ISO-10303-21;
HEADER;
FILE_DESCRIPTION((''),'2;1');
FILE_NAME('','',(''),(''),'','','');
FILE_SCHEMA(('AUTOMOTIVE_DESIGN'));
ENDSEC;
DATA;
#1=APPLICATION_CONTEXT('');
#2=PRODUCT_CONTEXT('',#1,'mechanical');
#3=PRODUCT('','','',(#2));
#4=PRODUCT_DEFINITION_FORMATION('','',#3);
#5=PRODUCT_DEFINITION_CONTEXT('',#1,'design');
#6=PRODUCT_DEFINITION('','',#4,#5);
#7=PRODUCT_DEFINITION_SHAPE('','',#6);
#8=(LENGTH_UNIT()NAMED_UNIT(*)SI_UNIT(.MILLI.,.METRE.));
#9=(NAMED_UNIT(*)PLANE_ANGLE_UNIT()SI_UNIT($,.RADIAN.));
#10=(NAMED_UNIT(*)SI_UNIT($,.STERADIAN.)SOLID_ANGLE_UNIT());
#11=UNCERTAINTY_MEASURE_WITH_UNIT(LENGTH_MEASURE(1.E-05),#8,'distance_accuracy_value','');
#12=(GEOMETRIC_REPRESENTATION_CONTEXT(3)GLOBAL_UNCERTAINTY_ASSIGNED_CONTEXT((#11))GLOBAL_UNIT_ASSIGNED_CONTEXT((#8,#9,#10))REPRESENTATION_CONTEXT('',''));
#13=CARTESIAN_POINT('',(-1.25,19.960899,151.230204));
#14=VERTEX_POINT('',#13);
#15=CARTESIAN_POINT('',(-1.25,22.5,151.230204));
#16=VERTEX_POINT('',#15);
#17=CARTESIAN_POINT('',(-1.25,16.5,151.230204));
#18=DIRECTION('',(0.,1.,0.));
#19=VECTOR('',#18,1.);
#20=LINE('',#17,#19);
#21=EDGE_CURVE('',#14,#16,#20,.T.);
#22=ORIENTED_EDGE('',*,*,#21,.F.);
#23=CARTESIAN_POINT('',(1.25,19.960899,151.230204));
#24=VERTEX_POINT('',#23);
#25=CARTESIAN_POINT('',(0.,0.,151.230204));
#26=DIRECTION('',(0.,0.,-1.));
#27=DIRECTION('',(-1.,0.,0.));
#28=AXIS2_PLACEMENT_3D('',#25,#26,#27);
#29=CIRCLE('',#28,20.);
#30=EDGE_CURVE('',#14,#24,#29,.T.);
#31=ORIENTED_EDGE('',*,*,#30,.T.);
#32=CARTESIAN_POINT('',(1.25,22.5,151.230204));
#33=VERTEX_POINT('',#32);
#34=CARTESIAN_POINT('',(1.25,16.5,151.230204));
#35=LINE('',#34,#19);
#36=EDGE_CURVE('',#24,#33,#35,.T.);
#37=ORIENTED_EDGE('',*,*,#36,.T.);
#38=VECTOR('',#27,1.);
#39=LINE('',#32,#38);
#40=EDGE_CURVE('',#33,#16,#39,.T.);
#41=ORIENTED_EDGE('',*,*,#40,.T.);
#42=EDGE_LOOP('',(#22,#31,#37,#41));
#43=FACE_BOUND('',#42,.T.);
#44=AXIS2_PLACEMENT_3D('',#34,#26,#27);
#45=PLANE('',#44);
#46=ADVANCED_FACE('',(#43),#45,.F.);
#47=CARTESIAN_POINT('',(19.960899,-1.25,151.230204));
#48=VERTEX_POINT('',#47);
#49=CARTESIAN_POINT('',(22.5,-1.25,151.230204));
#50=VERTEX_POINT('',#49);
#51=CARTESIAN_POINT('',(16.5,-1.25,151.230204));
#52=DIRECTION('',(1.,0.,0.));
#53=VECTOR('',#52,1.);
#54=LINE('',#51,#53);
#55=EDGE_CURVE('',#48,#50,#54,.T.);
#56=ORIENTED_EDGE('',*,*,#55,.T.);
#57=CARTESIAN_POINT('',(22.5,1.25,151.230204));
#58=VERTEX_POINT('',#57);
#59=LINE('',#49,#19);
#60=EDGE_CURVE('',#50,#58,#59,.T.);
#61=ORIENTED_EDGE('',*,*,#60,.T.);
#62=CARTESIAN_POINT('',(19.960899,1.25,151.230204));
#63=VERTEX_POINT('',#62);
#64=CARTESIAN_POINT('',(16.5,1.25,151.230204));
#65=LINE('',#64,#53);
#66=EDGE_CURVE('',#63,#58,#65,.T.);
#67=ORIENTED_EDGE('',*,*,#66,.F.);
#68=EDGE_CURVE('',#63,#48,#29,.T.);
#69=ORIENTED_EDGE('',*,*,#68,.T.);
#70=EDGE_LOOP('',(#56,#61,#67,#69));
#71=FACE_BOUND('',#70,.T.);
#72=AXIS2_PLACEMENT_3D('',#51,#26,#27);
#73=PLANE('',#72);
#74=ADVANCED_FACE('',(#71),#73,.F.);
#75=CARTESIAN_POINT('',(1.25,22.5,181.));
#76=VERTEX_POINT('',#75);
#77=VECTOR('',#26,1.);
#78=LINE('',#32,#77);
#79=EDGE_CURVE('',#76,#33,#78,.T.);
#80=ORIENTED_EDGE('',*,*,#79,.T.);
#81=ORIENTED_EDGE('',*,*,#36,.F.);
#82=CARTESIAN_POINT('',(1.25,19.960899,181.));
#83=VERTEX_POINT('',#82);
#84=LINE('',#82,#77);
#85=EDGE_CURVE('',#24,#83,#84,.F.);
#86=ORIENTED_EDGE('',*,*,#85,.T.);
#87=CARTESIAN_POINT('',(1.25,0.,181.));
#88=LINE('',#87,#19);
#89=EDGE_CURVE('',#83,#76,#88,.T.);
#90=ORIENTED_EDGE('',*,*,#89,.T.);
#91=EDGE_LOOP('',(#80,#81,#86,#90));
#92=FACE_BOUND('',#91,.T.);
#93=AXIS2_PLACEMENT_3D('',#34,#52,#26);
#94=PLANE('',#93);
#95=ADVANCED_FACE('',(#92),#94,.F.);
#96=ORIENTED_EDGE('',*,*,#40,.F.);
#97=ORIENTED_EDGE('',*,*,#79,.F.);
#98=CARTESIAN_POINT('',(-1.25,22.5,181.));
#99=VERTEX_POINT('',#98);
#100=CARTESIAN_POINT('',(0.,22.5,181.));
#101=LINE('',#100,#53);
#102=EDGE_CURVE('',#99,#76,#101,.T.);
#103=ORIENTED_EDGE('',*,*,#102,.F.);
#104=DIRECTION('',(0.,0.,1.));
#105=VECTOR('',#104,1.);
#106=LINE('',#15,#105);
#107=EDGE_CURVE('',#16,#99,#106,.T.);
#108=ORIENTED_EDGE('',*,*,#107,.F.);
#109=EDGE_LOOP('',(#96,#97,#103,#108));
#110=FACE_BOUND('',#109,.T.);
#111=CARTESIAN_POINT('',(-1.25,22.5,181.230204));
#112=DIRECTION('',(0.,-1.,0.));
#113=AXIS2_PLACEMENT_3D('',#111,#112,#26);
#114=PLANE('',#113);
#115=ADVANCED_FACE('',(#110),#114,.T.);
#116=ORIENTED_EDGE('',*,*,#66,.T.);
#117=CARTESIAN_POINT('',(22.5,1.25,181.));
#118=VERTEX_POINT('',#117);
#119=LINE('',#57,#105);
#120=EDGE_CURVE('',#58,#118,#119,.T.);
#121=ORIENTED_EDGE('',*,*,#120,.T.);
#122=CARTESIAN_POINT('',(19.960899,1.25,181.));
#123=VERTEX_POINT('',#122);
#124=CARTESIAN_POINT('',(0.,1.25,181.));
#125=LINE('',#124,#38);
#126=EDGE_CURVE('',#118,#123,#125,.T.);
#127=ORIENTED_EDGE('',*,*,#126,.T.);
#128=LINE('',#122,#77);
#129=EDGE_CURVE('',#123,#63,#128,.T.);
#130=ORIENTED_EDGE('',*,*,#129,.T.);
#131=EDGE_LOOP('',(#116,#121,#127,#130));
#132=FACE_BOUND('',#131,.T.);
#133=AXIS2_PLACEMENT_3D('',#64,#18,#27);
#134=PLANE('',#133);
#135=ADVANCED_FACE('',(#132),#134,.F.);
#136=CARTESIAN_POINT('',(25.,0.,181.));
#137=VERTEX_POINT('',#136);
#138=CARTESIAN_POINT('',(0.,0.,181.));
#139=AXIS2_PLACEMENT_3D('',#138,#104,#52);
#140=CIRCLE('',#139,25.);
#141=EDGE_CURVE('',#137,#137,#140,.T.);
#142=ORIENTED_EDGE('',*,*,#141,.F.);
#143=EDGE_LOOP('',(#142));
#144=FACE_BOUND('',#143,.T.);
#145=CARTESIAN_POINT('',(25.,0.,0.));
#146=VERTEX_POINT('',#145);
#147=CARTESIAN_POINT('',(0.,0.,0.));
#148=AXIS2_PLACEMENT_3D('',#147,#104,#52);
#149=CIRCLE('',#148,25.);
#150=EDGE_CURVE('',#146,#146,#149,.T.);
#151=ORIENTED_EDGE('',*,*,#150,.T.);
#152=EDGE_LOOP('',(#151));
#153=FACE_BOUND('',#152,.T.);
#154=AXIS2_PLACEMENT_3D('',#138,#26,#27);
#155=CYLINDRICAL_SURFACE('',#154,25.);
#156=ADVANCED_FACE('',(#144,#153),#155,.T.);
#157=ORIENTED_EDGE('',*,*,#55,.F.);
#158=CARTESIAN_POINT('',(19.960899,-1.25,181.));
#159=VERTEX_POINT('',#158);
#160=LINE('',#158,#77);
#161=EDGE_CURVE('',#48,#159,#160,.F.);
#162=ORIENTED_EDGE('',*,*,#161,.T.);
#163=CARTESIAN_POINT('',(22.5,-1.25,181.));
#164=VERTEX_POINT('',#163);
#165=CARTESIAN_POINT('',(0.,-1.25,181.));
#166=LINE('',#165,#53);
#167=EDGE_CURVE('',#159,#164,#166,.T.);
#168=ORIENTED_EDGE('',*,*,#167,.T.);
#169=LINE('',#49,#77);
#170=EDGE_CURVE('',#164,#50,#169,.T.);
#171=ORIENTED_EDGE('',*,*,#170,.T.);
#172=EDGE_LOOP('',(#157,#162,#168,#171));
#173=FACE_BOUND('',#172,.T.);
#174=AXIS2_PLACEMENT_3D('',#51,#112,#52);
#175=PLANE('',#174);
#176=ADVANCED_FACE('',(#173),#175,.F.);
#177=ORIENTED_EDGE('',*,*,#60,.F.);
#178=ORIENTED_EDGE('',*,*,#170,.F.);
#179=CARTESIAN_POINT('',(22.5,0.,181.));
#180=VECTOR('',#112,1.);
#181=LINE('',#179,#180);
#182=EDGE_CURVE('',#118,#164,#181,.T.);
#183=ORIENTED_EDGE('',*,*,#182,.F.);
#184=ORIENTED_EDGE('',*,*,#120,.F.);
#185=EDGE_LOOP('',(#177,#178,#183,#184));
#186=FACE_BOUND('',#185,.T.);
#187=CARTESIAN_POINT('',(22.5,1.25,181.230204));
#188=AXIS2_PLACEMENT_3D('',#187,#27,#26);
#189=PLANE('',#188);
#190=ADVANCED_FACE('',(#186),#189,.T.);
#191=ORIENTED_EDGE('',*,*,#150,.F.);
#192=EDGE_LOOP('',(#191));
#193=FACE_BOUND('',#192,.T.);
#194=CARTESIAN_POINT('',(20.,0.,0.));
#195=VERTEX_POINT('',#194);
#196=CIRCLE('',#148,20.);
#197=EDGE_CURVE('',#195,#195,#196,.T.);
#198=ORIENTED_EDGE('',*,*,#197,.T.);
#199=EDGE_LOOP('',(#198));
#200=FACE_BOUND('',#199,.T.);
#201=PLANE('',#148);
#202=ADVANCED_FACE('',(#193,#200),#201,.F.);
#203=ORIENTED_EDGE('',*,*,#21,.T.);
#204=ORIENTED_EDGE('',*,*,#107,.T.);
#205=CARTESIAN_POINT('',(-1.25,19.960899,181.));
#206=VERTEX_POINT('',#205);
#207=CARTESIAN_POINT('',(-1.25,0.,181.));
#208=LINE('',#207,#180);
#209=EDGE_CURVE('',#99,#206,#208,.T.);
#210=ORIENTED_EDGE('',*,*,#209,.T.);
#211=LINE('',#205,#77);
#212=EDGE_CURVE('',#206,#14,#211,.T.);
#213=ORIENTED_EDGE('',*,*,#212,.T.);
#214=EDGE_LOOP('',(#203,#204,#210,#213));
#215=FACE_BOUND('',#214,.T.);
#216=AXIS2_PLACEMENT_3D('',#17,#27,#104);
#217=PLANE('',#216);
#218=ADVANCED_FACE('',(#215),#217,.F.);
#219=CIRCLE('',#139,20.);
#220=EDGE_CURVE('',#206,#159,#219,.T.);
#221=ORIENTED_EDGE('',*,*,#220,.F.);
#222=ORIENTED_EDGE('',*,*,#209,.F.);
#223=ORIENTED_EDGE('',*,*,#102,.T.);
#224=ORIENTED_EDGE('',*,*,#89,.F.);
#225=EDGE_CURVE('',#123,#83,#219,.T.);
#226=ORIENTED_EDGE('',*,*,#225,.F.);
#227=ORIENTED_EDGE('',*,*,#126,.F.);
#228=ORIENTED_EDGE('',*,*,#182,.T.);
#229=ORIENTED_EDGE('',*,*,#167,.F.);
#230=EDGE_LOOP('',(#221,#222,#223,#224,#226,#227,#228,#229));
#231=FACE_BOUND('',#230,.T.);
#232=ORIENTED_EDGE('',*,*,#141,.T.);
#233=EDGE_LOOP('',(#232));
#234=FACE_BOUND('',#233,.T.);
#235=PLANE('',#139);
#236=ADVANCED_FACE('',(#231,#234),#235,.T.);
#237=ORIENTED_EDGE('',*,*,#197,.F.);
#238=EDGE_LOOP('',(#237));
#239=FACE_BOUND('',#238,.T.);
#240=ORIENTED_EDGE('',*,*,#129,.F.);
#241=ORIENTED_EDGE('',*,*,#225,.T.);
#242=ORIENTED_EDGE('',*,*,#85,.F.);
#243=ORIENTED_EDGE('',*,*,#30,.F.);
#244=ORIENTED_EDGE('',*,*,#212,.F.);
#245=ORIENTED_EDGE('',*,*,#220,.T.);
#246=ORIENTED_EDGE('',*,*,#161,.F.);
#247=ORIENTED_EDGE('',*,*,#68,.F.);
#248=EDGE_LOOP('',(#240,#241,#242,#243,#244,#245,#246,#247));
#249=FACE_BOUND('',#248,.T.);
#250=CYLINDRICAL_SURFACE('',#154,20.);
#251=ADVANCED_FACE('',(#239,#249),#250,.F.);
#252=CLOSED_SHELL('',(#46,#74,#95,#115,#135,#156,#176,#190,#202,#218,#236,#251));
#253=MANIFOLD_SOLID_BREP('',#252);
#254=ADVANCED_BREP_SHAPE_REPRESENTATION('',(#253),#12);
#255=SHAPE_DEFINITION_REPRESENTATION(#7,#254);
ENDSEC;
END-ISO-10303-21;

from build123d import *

# Parameters (mm, degrees)
SKETCH1_R           = 25
SKETCH1_R_2         = 20
BOSS_EXTRUDE1_DEPTH = 181
SKETCH5_W           = 2.5
SKETCH5_H           = 30
CUT_EXTRUDE2_DEPTH  = 6
CIRPATTERN8_COUNT   = 2
CIRPATTERN8_ANGLE   = 90


with BuildPart() as part:
    # Sketch1 → Boss-Extrude1 (new body)
    with BuildSketch(Plane.XY):
        Circle(SKETCH1_R)
        Circle(SKETCH1_R_2, mode=Mode.SUBTRACT)
    extrude(amount=BOSS_EXTRUDE1_DEPTH)

    # Sketch5 → Cut-Extrude2 (cut)
    with BuildSketch(Plane(origin=(0, 22.5, 0), x_dir=(-1, 0, 0), z_dir=(0, 1, 0))):
        with Locations((0, 166.230203819)):
            Rectangle(SKETCH5_W, SKETCH5_H)
    cut_extrude2 = extrude(amount=-CUT_EXTRUDE2_DEPTH, mode=Mode.SUBTRACT)

    # CirPattern8: Cut-Extrude2 ×2 about axis
    cirpattern8_axis = Axis((0, 0, 0), (0, 0, -1))
    for i in range(1, CIRPATTERN8_COUNT):
        add(cut_extrude2.rotate(cirpattern8_axis, i * CIRPATTERN8_ANGLE / (CIRPATTERN8_COUNT - 1)), mode=Mode.SUBTRACT)


solid = part.part
